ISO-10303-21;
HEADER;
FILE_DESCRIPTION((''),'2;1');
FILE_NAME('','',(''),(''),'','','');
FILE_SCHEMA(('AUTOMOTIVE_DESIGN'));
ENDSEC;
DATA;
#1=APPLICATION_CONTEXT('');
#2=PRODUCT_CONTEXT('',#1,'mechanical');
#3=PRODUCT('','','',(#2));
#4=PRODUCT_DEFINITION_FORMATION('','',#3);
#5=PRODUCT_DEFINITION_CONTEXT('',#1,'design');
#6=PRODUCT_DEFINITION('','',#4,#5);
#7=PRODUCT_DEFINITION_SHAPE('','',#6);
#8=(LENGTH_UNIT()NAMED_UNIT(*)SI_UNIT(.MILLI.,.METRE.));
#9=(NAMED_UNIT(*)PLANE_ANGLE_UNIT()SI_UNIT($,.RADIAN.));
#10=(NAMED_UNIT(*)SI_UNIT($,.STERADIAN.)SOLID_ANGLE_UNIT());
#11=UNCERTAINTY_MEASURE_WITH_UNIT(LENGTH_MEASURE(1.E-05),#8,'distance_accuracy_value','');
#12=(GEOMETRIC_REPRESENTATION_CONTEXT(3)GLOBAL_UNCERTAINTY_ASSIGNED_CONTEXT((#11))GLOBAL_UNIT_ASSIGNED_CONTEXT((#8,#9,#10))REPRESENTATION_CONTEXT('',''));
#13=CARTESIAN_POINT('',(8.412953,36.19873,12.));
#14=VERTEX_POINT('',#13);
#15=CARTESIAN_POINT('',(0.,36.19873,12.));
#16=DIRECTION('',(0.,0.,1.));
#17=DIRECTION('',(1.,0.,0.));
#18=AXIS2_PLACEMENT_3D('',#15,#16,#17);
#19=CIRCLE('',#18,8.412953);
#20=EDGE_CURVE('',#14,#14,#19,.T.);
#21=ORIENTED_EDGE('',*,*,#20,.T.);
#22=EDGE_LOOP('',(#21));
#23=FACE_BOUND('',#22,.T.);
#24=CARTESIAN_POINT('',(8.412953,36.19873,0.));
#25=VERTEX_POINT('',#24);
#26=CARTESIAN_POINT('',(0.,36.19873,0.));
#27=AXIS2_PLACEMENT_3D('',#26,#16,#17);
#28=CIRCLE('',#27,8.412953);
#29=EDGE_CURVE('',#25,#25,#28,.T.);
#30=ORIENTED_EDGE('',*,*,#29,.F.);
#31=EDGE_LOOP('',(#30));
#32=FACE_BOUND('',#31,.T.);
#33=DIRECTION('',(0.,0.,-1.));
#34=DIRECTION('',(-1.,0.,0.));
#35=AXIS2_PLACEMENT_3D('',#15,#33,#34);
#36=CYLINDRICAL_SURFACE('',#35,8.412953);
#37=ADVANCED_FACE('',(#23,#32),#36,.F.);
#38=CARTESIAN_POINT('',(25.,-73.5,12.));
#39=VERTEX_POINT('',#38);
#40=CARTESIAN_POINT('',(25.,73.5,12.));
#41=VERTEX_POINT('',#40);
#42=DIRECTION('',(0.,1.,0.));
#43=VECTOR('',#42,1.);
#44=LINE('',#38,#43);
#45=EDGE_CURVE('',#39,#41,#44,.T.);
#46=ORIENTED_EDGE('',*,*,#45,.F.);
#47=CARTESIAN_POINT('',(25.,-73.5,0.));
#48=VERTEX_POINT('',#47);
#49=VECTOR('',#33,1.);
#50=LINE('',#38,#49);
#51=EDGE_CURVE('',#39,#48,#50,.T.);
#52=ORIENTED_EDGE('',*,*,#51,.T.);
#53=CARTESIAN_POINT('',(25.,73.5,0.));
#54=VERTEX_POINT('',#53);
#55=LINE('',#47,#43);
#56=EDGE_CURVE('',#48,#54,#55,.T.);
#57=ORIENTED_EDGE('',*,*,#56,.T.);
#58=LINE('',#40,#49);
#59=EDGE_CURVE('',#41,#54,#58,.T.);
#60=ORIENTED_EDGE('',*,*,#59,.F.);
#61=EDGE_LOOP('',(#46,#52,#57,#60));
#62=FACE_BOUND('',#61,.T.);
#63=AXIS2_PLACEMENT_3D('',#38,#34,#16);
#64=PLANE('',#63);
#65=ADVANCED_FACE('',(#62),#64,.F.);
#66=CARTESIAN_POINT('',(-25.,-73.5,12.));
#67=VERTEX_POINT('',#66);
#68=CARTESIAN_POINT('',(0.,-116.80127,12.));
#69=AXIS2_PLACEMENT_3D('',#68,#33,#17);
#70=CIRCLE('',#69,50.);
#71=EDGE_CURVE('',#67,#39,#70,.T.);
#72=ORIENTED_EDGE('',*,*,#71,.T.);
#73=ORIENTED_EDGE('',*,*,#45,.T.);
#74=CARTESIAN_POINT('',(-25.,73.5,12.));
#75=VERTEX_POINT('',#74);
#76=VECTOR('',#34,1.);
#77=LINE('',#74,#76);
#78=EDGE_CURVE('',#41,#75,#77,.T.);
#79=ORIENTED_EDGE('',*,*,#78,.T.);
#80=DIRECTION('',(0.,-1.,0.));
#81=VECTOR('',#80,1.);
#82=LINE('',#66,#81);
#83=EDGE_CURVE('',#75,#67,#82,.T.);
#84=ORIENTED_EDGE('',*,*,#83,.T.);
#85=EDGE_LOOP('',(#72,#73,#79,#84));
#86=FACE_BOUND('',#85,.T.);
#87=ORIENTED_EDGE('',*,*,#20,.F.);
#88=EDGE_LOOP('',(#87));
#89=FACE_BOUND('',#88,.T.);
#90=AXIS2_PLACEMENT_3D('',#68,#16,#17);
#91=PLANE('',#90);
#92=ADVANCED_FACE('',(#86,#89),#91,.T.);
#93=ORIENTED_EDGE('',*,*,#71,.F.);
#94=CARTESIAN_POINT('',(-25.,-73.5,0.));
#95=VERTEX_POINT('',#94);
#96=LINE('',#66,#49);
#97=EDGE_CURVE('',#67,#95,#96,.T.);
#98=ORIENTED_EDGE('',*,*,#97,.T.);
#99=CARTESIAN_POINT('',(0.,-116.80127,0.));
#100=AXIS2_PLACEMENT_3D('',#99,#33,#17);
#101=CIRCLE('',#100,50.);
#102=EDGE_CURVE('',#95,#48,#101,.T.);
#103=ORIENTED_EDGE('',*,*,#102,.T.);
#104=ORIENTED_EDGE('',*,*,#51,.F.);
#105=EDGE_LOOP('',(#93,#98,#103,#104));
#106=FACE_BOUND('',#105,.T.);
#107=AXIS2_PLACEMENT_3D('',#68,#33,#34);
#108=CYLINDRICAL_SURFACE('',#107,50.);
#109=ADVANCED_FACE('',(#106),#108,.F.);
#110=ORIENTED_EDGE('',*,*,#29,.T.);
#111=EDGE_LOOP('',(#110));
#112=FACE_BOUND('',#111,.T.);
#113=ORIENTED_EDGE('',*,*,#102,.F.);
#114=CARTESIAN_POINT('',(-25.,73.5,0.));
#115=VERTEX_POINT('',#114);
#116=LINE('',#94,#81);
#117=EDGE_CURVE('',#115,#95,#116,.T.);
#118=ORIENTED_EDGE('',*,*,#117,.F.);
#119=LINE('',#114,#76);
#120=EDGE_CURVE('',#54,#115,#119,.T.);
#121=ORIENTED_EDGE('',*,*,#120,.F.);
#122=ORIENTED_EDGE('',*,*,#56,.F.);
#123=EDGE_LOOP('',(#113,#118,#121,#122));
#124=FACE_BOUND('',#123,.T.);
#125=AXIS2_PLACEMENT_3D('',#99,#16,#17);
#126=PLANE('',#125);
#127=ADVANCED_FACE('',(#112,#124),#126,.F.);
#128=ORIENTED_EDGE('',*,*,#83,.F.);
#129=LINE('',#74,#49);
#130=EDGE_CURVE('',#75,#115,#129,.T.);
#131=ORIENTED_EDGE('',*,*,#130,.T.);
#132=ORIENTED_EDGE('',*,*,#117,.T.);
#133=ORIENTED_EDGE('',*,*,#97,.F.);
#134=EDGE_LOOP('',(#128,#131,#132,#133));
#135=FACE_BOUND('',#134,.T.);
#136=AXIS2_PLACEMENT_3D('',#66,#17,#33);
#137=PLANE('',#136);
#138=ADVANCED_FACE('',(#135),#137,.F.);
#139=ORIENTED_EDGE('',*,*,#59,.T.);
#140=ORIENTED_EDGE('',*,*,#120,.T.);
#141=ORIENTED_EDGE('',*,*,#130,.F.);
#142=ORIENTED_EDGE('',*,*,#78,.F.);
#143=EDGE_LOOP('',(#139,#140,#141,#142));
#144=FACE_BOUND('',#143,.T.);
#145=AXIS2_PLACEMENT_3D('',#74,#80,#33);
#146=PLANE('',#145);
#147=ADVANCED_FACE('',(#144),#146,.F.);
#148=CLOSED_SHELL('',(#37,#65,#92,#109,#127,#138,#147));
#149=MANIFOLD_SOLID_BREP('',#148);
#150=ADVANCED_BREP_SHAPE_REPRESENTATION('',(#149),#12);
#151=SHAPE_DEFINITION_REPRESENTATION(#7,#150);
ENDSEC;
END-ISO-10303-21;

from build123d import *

# Parameters (mm, degrees)
SKETCH1_R           = 8.412952976
BOSS_EXTRUDE1_DEPTH = 12


with BuildPart() as part:
    # Sketch1 → Boss-Extrude1 (new body)
    with BuildSketch(Plane.XY):
        with BuildLine():
            Line((-25, -73.5), (-25, 73.5))
            Line((-25, 73.5), (25, 73.5))
            Line((25, 73.5), (25, -73.5))
            ThreePointArc((25, -73.5), (0, -66.801270189), (-25, -73.5))
        make_face()
        with Locations((0, 36.198729811)):
            Circle(SKETCH1_R, mode=Mode.SUBTRACT)
    extrude(amount=BOSS_EXTRUDE1_DEPTH)


solid = part.part
